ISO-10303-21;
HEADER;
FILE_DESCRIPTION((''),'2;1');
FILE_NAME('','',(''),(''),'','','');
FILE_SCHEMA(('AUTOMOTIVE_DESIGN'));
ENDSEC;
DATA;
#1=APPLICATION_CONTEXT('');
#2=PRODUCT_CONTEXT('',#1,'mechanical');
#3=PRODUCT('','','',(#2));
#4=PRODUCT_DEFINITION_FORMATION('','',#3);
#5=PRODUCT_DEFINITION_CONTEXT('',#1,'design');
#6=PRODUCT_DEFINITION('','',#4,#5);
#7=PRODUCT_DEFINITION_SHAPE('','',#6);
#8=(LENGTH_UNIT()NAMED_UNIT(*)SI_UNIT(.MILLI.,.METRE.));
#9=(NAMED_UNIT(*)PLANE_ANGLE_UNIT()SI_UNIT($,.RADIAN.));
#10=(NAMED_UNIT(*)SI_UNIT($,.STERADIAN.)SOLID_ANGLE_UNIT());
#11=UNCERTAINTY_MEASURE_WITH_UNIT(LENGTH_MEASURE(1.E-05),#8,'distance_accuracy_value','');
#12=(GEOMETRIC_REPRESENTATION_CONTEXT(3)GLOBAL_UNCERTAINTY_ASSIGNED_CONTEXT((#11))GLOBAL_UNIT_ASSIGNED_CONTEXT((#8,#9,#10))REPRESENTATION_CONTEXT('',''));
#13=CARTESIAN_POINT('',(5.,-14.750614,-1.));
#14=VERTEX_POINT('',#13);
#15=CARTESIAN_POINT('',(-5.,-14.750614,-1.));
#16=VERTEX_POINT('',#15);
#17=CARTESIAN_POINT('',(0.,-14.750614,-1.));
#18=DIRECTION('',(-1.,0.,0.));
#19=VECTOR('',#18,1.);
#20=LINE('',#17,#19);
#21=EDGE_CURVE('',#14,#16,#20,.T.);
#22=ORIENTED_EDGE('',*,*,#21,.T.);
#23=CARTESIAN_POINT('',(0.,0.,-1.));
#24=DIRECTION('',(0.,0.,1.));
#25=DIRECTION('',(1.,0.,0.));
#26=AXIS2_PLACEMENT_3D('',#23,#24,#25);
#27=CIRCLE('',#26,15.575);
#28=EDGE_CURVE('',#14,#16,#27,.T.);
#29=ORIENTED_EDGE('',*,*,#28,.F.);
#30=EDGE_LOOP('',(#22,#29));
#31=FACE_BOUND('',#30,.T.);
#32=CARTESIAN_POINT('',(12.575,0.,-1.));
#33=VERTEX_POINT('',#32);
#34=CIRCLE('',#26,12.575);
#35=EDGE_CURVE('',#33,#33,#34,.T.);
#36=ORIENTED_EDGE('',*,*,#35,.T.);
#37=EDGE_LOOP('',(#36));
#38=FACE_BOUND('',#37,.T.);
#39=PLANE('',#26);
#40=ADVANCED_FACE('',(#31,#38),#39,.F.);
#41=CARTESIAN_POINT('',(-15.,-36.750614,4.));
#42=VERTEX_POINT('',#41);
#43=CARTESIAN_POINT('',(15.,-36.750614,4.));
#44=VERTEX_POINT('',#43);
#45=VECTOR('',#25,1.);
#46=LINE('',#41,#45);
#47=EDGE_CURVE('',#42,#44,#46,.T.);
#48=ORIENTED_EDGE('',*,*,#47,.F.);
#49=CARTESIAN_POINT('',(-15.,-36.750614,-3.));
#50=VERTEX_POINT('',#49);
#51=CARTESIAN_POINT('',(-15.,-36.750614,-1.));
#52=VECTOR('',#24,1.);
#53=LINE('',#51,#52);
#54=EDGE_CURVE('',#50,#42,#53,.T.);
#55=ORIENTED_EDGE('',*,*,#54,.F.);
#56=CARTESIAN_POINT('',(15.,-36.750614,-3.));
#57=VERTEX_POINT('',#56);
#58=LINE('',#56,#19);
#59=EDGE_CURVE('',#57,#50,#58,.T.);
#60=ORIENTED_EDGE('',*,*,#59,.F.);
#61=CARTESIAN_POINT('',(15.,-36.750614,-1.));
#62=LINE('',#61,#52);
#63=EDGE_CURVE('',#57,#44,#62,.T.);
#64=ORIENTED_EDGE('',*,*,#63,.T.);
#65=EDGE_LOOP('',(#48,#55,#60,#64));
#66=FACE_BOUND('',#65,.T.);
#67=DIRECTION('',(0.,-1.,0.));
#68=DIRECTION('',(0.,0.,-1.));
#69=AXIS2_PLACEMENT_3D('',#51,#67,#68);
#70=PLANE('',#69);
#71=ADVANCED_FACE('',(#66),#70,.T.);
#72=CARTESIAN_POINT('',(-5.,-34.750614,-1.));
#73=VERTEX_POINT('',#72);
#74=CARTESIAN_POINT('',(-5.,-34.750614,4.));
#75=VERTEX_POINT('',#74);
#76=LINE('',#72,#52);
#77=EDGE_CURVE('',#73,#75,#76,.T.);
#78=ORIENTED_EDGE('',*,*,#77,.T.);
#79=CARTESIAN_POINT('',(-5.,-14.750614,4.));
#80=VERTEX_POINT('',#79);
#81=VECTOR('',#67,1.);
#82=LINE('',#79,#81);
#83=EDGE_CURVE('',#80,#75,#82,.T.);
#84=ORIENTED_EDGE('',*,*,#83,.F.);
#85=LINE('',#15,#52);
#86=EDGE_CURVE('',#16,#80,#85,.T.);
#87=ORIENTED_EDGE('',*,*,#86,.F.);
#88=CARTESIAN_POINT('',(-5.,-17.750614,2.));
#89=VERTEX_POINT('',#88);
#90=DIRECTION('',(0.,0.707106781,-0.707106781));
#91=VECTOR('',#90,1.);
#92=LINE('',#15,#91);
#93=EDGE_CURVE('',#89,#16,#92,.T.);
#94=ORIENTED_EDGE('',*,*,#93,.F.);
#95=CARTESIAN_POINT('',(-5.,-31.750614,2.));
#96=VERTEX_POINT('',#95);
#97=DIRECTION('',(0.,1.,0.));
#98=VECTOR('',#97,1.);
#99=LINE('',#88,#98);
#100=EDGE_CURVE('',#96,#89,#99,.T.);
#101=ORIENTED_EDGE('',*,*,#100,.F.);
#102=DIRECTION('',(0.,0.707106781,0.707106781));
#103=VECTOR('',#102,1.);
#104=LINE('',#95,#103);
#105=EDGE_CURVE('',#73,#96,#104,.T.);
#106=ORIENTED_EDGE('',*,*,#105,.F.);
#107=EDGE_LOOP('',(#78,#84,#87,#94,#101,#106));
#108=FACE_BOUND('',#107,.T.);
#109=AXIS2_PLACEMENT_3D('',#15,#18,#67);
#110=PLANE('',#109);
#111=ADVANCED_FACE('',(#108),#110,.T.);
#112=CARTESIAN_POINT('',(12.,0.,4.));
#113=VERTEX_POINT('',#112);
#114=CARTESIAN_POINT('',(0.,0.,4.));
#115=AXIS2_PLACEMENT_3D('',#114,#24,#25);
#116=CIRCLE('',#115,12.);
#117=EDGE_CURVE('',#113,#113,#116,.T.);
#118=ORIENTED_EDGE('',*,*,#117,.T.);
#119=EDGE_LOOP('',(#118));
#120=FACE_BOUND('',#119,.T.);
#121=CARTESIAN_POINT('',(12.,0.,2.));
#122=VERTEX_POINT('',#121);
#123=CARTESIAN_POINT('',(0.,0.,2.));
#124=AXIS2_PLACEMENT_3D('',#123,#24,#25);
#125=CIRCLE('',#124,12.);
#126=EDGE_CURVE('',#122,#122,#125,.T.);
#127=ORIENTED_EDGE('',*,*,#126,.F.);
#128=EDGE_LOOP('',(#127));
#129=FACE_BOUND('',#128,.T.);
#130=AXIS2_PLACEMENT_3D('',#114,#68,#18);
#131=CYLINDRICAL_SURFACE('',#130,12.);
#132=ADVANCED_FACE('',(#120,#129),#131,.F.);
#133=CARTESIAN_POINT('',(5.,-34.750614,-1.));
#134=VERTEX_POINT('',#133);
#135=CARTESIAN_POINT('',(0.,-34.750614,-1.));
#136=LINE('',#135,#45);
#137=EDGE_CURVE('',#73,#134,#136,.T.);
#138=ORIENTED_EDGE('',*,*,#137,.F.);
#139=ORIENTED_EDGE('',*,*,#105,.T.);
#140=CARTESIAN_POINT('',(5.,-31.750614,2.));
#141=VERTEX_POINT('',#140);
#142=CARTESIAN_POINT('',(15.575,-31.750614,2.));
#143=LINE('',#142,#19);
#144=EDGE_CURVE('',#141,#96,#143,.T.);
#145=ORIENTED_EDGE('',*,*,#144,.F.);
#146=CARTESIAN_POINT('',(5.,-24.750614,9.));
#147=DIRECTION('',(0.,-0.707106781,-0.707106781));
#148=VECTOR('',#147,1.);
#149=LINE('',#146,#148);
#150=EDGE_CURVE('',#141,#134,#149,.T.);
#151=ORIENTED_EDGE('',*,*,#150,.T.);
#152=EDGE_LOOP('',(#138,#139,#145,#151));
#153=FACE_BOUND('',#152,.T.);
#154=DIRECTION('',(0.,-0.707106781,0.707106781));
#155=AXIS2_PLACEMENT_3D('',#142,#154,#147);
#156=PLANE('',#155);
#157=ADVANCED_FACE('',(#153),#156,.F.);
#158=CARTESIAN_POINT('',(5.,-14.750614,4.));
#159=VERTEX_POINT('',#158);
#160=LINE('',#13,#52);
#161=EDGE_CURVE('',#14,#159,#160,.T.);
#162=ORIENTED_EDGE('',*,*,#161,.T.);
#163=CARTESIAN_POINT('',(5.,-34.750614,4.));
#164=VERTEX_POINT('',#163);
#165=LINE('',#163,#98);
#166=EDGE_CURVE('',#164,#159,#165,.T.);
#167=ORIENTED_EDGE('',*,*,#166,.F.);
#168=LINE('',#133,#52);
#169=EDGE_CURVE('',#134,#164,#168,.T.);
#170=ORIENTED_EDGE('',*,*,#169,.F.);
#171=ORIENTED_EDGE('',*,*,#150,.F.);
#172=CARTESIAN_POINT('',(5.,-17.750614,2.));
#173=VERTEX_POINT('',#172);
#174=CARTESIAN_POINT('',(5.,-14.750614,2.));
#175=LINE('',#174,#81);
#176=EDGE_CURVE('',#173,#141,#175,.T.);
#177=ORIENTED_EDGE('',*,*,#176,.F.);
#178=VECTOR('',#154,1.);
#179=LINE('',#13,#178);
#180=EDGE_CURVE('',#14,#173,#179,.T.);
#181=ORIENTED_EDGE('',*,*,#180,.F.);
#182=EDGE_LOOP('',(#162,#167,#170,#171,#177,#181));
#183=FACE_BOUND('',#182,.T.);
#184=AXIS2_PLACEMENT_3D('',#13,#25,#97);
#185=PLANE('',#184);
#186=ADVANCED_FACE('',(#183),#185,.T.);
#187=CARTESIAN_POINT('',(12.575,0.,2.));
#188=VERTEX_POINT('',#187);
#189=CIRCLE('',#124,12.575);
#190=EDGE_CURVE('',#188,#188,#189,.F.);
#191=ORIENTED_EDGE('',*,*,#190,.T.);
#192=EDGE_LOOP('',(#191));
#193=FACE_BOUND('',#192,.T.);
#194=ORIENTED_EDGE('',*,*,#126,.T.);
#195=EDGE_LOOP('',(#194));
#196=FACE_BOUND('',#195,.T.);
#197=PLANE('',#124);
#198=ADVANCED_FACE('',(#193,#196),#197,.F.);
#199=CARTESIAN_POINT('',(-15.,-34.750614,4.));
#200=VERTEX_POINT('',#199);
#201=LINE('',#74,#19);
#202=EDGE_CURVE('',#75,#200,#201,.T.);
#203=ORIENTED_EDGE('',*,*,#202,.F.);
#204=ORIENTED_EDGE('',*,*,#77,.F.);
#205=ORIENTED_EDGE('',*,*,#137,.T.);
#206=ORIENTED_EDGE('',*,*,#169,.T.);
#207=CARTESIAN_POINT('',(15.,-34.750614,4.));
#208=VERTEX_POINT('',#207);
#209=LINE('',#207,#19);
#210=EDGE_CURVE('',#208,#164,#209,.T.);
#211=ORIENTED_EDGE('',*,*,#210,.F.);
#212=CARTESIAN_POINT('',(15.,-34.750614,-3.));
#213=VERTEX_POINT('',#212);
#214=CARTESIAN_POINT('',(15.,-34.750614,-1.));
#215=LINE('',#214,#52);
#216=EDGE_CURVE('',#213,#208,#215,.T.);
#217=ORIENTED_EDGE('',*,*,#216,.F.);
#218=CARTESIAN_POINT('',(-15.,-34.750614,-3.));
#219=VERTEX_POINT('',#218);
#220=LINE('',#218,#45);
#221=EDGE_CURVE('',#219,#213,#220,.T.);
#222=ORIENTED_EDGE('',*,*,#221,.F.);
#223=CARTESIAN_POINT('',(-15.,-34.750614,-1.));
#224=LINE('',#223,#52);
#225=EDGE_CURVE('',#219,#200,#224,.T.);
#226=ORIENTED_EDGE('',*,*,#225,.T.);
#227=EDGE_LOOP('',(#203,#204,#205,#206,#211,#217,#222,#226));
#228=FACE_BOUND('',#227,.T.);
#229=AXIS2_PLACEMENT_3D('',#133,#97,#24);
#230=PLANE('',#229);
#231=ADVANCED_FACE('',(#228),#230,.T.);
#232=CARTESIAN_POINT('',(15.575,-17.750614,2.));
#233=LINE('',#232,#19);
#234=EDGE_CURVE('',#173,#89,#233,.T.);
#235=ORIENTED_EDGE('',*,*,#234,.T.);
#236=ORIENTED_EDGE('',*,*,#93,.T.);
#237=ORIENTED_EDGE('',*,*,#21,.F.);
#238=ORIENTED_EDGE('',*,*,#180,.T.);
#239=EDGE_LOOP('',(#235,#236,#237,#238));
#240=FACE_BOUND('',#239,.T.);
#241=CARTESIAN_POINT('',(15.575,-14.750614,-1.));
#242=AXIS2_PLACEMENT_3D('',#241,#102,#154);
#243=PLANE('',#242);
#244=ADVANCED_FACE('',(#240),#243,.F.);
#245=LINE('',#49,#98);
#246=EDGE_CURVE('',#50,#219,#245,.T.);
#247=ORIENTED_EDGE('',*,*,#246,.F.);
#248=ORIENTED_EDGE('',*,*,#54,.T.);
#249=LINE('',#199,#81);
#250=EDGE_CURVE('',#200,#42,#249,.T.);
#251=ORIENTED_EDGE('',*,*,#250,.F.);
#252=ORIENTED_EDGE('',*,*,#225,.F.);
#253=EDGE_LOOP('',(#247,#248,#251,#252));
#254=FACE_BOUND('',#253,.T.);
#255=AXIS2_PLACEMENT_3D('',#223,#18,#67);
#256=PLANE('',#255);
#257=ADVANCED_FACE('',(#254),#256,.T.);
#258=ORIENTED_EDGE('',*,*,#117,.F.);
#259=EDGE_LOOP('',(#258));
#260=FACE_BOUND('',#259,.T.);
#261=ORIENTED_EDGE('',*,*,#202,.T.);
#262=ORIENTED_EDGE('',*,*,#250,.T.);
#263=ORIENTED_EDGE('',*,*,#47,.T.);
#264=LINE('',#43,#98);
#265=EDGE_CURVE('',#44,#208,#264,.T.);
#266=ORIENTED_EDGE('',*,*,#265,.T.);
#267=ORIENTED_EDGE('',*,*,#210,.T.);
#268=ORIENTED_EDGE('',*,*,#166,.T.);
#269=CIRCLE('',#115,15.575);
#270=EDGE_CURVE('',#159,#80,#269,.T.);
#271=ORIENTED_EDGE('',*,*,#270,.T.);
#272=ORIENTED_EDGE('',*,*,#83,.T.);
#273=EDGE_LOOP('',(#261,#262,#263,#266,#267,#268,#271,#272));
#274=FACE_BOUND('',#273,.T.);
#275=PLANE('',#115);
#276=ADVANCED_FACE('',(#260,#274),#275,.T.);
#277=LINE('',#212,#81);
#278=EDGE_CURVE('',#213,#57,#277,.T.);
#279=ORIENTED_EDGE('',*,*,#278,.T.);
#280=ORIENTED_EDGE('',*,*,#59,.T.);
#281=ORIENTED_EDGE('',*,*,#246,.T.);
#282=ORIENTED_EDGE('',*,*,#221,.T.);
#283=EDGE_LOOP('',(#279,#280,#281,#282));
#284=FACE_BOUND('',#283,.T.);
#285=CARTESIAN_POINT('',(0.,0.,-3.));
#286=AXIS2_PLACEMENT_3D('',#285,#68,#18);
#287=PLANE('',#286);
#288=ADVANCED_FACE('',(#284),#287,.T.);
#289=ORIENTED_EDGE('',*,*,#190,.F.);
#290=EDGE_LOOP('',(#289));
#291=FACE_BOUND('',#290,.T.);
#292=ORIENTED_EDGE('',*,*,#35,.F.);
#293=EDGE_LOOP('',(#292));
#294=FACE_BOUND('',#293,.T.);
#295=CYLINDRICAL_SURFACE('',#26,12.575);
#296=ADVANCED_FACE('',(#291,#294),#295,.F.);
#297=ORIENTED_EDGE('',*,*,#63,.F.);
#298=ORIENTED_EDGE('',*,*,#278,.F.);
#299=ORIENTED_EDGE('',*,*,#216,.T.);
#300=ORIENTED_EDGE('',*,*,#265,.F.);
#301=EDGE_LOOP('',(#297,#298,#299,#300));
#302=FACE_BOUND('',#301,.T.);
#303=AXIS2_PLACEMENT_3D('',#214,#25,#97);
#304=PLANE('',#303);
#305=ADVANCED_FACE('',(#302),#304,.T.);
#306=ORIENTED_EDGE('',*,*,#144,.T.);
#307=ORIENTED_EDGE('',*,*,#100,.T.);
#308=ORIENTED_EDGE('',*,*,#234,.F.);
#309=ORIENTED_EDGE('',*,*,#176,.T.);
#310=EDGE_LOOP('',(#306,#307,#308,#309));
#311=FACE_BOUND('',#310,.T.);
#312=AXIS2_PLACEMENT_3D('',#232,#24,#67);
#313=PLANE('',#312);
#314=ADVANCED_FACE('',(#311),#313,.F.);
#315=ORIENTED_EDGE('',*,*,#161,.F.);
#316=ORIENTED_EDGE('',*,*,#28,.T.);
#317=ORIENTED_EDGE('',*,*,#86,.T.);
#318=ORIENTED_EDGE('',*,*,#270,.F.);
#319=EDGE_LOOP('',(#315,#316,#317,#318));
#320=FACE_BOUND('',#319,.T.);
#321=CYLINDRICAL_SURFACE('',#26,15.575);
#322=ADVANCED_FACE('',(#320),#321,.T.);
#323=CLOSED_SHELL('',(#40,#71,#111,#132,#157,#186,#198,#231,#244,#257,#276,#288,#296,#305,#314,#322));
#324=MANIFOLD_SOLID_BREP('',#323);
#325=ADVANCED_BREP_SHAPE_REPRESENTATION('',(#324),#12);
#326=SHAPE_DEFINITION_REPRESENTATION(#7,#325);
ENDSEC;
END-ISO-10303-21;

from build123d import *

# Parameters (mm, degrees)
BOSS_EXTRUDE1_DEPTH      = 2
BOSS_EXTRUDE1_DEPTH_BACK = 1
SKETCH1_R                = 12.575
SKETCH2_R                = 12
BOSS_EXTRUDE2_DEPTH      = 2
CUT_EXTRUDE1_DEPTH       = 43.30766223
BOSS_EXTRUDE3_DEPTH      = 2


with BuildPart() as part:
    # Sketch1 → Boss-Extrude1 (new, two sides: drawn at the far end of the back side and taken through both)
    with BuildSketch(Plane.XY.offset(-BOSS_EXTRUDE1_DEPTH_BACK)):
        with BuildLine():
            Line((5, -34.750614394), (15, -34.750614394))
            Line((15, -34.750614394), (15, -36.750614394))
            Line((15, -36.750614394), (-15, -36.750614394))
            Line((-15, -36.750614394), (-15, -34.750614394))
            Line((-15, -34.750614394), (-5, -34.750614394))
            Line((-5, -34.750614394), (-5, -14.750614394))
            ThreePointArc((-5, -14.750614394), (0, 15.575), (5, -14.750614394))
            Line((5, -14.750614394), (5, -34.750614394))
        make_face()
        Circle(SKETCH1_R, mode=Mode.SUBTRACT)
    extrude(amount=BOSS_EXTRUDE1_DEPTH + BOSS_EXTRUDE1_DEPTH_BACK)

    # Sketch2 → Boss-Extrude2 (add)
    with BuildSketch(Plane.XY.offset(2)):
        with BuildLine():
            Line((-5, -14.750614394), (-5, -34.750614394))
            Line((-5, -34.750614394), (-15, -34.750614394))
            Line((-15, -34.750614394), (-15, -36.750614394))
            Line((-15, -36.750614394), (15, -36.750614394))
            Line((15, -36.750614394), (15, -34.750614394))
            Line((15, -34.750614394), (5, -34.750614394))
            Line((5, -34.750614394), (5, -14.750614394))
            ThreePointArc((5, -14.750614394), (0, 15.575), (-5, -14.750614394))
        make_face()
        Circle(SKETCH2_R, mode=Mode.SUBTRACT)
    extrude(amount=BOSS_EXTRUDE2_DEPTH)

    # Sketch4 → Cut-Extrude1 (cut, through all)
    with BuildSketch(Plane.ZY.offset(5)):
        Polygon((-1, -14.750614394), (2, -17.750614394), (2, -31.750614394), (-1, -34.750614394), align=None)
    extrude(amount=-CUT_EXTRUDE1_DEPTH, mode=Mode.SUBTRACT)

    # Sketch5 → Boss-Extrude3 (add)
    with BuildSketch(Plane(origin=(0, 0, -1), x_dir=(-1, 0, 0), z_dir=(0, 0, -1))):
        Polygon((15, -34.750614394), (5, -34.750614394), (-5, -34.750614394), (-15, -34.750614394), (-15, -36.750614394), (15, -36.750614394), align=None)
    extrude(amount=BOSS_EXTRUDE3_DEPTH)


solid = part.part
